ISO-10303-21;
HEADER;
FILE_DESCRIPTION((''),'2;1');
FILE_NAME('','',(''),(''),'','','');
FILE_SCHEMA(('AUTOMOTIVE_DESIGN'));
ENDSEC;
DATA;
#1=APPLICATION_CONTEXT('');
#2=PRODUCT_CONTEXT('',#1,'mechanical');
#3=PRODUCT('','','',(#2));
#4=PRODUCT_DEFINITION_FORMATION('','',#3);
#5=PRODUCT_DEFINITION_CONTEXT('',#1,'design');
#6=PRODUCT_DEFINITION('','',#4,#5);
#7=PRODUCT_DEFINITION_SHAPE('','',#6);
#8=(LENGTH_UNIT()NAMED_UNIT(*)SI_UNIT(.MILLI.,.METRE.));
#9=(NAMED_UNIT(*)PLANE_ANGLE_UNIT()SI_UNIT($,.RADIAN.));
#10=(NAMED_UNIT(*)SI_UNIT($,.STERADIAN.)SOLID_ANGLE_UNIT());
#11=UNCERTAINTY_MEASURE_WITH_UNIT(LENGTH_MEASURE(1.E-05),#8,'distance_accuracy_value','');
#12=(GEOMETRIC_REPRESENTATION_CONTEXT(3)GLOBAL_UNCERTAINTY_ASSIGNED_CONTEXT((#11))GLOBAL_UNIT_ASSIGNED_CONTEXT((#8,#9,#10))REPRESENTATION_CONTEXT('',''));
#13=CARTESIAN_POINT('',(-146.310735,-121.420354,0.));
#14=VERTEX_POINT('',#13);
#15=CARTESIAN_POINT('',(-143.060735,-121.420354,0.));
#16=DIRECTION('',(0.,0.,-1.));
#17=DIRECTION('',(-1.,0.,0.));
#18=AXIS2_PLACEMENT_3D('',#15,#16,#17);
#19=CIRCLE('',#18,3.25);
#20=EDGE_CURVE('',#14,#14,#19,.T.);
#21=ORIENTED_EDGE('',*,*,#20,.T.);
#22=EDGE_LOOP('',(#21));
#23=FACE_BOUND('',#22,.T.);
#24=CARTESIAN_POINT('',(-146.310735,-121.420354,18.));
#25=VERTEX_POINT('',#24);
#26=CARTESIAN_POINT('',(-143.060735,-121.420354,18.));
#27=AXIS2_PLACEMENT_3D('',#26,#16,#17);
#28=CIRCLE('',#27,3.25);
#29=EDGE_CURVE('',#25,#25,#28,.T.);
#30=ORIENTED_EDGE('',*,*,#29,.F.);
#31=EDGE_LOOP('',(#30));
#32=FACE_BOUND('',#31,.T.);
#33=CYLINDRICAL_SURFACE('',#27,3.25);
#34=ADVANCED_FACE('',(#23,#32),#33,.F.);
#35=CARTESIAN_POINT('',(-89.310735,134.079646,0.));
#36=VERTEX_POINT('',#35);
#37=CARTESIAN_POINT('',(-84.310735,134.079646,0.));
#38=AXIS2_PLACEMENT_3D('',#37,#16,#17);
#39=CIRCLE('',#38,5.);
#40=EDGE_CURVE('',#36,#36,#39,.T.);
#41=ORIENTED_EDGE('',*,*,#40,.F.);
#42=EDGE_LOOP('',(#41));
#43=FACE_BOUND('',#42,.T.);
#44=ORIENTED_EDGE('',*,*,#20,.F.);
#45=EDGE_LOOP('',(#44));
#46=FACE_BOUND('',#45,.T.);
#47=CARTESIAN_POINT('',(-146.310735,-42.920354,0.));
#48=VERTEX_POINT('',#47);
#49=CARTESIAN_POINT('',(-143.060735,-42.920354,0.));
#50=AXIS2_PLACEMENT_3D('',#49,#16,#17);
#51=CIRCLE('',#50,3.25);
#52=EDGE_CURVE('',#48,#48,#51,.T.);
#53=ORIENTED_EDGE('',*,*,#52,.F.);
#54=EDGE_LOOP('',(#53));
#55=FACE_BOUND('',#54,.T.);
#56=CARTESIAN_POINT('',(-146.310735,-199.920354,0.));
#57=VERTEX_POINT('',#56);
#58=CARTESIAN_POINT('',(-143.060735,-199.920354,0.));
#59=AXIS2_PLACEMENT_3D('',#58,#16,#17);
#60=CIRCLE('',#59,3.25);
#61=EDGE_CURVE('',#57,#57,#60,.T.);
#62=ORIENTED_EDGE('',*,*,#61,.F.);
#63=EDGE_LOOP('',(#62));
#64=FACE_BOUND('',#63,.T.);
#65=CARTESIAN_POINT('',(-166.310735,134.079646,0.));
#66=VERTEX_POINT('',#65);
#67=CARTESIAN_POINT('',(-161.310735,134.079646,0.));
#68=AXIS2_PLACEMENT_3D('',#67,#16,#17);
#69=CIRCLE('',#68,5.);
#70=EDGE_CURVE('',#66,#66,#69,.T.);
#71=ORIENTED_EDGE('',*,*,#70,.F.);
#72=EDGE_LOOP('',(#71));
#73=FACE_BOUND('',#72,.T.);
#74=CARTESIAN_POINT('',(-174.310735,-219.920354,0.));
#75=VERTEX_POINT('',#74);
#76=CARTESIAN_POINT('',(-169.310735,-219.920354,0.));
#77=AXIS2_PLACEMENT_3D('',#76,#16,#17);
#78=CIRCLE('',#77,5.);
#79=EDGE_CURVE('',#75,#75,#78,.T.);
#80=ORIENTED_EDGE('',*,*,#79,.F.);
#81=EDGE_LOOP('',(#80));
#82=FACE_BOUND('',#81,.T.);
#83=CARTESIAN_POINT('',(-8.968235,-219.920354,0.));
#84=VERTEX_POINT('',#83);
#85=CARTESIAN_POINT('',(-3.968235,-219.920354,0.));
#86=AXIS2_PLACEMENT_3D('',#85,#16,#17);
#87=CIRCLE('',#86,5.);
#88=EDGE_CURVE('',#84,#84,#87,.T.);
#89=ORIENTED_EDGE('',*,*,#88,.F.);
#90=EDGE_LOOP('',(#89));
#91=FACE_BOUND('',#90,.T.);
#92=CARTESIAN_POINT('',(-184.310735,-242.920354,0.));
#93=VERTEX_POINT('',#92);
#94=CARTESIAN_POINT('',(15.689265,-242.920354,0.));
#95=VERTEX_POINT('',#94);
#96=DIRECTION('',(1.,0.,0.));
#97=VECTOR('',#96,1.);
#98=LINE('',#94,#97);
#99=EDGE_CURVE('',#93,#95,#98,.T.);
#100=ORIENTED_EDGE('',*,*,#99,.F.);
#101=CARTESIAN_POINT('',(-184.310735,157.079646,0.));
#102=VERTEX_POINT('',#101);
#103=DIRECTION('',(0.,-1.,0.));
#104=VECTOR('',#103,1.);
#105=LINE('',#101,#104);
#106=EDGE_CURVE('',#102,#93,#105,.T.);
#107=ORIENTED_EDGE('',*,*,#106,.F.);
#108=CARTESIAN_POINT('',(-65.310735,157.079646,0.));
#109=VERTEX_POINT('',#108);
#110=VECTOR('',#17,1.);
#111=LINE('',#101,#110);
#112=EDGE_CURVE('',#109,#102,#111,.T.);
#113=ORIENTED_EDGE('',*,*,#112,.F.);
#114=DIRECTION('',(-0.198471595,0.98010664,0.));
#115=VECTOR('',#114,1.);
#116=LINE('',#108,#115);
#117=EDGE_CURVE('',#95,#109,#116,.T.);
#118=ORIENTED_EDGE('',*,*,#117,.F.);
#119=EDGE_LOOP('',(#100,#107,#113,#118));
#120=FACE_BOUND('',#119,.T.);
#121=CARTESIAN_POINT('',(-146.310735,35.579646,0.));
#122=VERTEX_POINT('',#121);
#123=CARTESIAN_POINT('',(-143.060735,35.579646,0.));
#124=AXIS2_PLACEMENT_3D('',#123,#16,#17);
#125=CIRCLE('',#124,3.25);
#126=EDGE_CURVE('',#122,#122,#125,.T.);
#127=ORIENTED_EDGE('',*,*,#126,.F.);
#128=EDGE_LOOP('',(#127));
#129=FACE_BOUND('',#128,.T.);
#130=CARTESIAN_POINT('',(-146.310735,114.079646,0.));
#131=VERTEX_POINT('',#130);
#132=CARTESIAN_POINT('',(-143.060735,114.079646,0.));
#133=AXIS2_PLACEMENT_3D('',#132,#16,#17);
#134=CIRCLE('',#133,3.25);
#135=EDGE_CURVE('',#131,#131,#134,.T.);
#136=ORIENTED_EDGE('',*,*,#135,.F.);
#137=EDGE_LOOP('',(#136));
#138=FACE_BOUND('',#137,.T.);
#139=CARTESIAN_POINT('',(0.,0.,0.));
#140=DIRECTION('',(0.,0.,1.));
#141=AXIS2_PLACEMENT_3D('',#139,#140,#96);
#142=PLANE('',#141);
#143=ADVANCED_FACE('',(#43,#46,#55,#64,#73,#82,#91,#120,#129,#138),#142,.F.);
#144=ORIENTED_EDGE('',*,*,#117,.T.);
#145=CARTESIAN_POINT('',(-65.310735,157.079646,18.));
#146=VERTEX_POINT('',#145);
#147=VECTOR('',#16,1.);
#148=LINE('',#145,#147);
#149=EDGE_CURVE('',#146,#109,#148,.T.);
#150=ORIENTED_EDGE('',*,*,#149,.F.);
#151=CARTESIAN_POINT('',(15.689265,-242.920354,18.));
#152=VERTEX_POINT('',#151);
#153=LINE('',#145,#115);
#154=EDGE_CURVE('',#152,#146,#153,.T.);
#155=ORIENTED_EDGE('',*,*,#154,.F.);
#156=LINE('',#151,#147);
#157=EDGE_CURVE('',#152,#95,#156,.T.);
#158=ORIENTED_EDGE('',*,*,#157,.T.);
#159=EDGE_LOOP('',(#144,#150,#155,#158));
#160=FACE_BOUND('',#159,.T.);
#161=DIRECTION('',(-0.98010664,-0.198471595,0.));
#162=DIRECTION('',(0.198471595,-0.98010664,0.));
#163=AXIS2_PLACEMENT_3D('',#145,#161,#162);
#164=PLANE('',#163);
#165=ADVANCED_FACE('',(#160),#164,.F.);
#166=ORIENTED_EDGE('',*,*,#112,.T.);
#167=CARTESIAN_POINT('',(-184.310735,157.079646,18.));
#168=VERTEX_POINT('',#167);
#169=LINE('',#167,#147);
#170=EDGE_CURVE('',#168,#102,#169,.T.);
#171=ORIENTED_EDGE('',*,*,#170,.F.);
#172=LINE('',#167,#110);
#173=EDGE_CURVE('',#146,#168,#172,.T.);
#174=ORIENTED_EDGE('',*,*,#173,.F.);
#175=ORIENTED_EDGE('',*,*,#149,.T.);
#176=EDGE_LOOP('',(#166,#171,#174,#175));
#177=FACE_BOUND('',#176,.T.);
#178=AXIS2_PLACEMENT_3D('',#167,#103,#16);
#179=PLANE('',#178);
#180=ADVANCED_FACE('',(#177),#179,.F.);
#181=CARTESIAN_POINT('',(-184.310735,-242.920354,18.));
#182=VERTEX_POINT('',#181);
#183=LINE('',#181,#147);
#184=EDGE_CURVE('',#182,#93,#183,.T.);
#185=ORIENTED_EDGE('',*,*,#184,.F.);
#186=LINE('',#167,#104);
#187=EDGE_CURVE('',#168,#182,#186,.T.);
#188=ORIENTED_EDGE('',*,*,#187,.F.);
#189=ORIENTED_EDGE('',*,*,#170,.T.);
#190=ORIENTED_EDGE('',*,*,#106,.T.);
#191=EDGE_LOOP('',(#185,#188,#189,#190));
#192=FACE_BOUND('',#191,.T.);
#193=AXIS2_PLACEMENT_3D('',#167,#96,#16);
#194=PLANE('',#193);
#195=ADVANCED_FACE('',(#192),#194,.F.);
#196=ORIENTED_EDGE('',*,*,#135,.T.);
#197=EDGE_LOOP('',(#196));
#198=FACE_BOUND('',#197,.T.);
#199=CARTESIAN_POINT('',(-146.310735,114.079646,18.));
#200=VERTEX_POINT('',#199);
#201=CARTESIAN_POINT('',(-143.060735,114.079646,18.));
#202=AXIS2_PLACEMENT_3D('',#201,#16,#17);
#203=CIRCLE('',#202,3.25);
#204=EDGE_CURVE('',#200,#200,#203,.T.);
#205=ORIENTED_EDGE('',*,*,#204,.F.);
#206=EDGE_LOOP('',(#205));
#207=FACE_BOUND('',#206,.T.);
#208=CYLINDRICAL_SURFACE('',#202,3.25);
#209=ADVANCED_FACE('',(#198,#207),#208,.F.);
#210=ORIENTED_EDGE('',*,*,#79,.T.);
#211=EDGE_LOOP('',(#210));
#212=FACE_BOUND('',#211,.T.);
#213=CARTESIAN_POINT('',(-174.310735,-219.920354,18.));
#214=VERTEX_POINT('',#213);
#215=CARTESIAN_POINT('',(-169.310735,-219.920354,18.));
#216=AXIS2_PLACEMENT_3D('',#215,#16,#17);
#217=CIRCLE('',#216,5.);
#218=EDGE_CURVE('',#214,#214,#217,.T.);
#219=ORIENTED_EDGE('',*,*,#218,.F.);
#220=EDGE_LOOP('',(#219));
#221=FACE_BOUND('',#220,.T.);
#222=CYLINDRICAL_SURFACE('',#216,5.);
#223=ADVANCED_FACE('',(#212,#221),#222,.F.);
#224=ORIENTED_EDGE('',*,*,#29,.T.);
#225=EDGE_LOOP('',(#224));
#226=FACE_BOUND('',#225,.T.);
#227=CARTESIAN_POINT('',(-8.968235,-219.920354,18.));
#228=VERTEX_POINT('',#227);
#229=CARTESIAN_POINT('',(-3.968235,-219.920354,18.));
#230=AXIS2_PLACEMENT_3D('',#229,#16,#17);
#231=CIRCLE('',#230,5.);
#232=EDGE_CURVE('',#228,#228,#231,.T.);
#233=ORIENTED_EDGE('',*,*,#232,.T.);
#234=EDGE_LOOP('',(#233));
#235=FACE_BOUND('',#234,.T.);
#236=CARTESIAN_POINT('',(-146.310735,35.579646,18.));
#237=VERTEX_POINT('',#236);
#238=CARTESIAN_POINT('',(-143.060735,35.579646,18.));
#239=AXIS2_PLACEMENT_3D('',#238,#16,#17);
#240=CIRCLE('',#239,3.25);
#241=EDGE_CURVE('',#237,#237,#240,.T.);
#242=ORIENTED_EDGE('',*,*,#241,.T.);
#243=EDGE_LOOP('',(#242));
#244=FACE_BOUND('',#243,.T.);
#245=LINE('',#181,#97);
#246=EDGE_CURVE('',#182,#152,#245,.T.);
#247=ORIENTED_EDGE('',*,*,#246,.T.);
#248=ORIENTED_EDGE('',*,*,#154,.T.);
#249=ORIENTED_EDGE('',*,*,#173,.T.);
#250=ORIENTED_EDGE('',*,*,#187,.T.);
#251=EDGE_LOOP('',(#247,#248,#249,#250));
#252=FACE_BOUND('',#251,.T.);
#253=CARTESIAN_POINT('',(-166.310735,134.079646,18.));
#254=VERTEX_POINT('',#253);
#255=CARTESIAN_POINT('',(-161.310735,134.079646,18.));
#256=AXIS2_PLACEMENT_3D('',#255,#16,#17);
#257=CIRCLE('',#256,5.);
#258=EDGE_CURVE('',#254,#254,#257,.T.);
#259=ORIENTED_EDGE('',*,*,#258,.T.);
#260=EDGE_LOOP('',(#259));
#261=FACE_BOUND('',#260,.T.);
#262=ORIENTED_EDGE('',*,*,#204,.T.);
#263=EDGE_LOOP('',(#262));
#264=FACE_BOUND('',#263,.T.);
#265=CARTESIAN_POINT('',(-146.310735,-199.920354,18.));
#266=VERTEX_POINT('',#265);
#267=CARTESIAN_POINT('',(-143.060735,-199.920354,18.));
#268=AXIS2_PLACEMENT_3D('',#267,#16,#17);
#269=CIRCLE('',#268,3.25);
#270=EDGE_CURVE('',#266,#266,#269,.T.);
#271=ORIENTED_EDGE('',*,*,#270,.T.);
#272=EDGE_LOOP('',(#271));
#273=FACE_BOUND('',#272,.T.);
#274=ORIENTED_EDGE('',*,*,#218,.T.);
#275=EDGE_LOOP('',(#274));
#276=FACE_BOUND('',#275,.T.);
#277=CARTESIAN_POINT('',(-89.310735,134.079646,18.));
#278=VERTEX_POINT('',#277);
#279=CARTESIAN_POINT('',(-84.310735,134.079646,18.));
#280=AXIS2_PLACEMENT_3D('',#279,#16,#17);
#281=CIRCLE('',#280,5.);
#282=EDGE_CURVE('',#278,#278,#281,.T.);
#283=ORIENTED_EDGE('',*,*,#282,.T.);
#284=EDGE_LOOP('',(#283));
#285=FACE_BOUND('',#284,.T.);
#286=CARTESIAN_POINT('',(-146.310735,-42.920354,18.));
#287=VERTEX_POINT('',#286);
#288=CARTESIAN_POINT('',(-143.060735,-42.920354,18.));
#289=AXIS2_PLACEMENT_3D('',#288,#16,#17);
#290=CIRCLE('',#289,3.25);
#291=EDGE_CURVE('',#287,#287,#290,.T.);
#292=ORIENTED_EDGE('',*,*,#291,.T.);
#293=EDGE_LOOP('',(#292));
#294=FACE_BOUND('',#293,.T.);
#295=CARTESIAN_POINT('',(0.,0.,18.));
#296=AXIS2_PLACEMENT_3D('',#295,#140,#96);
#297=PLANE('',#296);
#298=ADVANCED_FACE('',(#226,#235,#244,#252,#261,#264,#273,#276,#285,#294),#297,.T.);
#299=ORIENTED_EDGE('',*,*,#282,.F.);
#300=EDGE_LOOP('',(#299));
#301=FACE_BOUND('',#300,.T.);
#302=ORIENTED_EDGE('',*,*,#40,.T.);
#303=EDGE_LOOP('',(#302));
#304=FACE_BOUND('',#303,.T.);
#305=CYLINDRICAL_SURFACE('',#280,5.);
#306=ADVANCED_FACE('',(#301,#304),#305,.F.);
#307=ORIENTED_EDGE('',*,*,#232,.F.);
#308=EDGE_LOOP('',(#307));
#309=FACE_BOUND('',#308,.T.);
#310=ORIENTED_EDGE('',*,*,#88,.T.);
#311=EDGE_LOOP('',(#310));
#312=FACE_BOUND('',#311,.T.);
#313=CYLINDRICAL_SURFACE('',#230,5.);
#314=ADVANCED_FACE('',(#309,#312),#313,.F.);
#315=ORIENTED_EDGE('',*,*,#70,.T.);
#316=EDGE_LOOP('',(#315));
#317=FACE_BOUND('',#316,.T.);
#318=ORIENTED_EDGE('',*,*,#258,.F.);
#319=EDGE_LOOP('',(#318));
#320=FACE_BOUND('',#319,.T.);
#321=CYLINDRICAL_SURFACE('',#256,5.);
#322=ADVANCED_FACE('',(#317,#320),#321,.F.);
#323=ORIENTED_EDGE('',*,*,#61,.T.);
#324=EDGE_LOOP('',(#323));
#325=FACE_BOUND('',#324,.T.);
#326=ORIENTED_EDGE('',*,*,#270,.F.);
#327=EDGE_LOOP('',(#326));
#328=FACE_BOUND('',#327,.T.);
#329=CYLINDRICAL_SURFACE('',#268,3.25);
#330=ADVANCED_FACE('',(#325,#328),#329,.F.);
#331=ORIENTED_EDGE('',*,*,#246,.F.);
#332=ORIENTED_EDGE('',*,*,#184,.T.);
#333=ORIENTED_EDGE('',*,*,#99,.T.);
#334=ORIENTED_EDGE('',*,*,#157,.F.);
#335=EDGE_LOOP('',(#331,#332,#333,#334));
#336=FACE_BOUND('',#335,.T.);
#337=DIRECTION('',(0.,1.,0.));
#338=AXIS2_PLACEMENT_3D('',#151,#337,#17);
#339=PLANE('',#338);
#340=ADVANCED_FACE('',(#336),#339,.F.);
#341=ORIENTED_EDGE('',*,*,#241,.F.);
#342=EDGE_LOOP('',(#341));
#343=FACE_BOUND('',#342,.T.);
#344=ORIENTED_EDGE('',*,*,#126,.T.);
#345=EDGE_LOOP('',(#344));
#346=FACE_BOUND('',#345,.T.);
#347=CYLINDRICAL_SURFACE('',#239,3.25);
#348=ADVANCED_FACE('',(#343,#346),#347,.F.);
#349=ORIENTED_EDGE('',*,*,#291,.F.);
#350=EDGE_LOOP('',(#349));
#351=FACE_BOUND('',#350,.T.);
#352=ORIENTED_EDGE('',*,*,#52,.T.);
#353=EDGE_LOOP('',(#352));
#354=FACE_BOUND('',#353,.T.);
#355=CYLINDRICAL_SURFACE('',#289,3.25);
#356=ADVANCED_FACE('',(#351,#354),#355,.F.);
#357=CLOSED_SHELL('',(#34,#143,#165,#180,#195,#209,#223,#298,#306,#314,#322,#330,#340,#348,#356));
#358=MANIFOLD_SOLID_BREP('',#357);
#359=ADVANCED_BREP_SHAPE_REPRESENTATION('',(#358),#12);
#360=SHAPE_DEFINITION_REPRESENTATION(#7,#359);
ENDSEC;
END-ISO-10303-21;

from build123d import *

# Parameters (mm, degrees)
BOSS_EXTRUDE1_DEPTH = 18
SKETCH2_R           = 5
SKETCH2_R_2         = 3.25
CUT_EXTRUDE1_DEPTH  = 19


with BuildPart() as part:
    # Sketch1 → Boss-Extrude1 (new body)
    with BuildSketch(Plane.XY):
        Polygon((-65.310735067, 157.079646018), (15.689264933, -242.920353982), (-65.310735067, -242.920353982), (-184.310735067, -242.920353982), (-184.310735067, 157.079646018), align=None)
    extrude(amount=BOSS_EXTRUDE1_DEPTH)

    # Sketch2 → Cut-Extrude1 (cut, through all)
    with BuildSketch(Plane(origin=(0, 0, 0), x_dir=(-1, 0, 0), z_dir=(0, 0, -1))):
        with Locations((84.310735067, 134.079646018)):
            Circle(SKETCH2_R)
        with Locations((161.310735067, 134.079646018)):
            Circle(SKETCH2_R)
        with Locations((143.060735067, 114.079646018)):
            Circle(SKETCH2_R_2)
        with Locations((143.060735067, 35.579646018)):
            Circle(SKETCH2_R_2)
        with Locations((143.060735067, -42.920353982)):
            Circle(SKETCH2_R_2)
        with Locations((143.060735067, -121.420353982)):
            Circle(SKETCH2_R_2)
        with Locations((143.060735067, -199.920353982)):
            Circle(SKETCH2_R_2)
        with Locations((169.310735067, -219.920353982)):
            Circle(SKETCH2_R)
        with Locations((3.968235067, -219.920353982)):
            Circle(SKETCH2_R)
    extrude(amount=-CUT_EXTRUDE1_DEPTH, mode=Mode.SUBTRACT)


solid = part.part
